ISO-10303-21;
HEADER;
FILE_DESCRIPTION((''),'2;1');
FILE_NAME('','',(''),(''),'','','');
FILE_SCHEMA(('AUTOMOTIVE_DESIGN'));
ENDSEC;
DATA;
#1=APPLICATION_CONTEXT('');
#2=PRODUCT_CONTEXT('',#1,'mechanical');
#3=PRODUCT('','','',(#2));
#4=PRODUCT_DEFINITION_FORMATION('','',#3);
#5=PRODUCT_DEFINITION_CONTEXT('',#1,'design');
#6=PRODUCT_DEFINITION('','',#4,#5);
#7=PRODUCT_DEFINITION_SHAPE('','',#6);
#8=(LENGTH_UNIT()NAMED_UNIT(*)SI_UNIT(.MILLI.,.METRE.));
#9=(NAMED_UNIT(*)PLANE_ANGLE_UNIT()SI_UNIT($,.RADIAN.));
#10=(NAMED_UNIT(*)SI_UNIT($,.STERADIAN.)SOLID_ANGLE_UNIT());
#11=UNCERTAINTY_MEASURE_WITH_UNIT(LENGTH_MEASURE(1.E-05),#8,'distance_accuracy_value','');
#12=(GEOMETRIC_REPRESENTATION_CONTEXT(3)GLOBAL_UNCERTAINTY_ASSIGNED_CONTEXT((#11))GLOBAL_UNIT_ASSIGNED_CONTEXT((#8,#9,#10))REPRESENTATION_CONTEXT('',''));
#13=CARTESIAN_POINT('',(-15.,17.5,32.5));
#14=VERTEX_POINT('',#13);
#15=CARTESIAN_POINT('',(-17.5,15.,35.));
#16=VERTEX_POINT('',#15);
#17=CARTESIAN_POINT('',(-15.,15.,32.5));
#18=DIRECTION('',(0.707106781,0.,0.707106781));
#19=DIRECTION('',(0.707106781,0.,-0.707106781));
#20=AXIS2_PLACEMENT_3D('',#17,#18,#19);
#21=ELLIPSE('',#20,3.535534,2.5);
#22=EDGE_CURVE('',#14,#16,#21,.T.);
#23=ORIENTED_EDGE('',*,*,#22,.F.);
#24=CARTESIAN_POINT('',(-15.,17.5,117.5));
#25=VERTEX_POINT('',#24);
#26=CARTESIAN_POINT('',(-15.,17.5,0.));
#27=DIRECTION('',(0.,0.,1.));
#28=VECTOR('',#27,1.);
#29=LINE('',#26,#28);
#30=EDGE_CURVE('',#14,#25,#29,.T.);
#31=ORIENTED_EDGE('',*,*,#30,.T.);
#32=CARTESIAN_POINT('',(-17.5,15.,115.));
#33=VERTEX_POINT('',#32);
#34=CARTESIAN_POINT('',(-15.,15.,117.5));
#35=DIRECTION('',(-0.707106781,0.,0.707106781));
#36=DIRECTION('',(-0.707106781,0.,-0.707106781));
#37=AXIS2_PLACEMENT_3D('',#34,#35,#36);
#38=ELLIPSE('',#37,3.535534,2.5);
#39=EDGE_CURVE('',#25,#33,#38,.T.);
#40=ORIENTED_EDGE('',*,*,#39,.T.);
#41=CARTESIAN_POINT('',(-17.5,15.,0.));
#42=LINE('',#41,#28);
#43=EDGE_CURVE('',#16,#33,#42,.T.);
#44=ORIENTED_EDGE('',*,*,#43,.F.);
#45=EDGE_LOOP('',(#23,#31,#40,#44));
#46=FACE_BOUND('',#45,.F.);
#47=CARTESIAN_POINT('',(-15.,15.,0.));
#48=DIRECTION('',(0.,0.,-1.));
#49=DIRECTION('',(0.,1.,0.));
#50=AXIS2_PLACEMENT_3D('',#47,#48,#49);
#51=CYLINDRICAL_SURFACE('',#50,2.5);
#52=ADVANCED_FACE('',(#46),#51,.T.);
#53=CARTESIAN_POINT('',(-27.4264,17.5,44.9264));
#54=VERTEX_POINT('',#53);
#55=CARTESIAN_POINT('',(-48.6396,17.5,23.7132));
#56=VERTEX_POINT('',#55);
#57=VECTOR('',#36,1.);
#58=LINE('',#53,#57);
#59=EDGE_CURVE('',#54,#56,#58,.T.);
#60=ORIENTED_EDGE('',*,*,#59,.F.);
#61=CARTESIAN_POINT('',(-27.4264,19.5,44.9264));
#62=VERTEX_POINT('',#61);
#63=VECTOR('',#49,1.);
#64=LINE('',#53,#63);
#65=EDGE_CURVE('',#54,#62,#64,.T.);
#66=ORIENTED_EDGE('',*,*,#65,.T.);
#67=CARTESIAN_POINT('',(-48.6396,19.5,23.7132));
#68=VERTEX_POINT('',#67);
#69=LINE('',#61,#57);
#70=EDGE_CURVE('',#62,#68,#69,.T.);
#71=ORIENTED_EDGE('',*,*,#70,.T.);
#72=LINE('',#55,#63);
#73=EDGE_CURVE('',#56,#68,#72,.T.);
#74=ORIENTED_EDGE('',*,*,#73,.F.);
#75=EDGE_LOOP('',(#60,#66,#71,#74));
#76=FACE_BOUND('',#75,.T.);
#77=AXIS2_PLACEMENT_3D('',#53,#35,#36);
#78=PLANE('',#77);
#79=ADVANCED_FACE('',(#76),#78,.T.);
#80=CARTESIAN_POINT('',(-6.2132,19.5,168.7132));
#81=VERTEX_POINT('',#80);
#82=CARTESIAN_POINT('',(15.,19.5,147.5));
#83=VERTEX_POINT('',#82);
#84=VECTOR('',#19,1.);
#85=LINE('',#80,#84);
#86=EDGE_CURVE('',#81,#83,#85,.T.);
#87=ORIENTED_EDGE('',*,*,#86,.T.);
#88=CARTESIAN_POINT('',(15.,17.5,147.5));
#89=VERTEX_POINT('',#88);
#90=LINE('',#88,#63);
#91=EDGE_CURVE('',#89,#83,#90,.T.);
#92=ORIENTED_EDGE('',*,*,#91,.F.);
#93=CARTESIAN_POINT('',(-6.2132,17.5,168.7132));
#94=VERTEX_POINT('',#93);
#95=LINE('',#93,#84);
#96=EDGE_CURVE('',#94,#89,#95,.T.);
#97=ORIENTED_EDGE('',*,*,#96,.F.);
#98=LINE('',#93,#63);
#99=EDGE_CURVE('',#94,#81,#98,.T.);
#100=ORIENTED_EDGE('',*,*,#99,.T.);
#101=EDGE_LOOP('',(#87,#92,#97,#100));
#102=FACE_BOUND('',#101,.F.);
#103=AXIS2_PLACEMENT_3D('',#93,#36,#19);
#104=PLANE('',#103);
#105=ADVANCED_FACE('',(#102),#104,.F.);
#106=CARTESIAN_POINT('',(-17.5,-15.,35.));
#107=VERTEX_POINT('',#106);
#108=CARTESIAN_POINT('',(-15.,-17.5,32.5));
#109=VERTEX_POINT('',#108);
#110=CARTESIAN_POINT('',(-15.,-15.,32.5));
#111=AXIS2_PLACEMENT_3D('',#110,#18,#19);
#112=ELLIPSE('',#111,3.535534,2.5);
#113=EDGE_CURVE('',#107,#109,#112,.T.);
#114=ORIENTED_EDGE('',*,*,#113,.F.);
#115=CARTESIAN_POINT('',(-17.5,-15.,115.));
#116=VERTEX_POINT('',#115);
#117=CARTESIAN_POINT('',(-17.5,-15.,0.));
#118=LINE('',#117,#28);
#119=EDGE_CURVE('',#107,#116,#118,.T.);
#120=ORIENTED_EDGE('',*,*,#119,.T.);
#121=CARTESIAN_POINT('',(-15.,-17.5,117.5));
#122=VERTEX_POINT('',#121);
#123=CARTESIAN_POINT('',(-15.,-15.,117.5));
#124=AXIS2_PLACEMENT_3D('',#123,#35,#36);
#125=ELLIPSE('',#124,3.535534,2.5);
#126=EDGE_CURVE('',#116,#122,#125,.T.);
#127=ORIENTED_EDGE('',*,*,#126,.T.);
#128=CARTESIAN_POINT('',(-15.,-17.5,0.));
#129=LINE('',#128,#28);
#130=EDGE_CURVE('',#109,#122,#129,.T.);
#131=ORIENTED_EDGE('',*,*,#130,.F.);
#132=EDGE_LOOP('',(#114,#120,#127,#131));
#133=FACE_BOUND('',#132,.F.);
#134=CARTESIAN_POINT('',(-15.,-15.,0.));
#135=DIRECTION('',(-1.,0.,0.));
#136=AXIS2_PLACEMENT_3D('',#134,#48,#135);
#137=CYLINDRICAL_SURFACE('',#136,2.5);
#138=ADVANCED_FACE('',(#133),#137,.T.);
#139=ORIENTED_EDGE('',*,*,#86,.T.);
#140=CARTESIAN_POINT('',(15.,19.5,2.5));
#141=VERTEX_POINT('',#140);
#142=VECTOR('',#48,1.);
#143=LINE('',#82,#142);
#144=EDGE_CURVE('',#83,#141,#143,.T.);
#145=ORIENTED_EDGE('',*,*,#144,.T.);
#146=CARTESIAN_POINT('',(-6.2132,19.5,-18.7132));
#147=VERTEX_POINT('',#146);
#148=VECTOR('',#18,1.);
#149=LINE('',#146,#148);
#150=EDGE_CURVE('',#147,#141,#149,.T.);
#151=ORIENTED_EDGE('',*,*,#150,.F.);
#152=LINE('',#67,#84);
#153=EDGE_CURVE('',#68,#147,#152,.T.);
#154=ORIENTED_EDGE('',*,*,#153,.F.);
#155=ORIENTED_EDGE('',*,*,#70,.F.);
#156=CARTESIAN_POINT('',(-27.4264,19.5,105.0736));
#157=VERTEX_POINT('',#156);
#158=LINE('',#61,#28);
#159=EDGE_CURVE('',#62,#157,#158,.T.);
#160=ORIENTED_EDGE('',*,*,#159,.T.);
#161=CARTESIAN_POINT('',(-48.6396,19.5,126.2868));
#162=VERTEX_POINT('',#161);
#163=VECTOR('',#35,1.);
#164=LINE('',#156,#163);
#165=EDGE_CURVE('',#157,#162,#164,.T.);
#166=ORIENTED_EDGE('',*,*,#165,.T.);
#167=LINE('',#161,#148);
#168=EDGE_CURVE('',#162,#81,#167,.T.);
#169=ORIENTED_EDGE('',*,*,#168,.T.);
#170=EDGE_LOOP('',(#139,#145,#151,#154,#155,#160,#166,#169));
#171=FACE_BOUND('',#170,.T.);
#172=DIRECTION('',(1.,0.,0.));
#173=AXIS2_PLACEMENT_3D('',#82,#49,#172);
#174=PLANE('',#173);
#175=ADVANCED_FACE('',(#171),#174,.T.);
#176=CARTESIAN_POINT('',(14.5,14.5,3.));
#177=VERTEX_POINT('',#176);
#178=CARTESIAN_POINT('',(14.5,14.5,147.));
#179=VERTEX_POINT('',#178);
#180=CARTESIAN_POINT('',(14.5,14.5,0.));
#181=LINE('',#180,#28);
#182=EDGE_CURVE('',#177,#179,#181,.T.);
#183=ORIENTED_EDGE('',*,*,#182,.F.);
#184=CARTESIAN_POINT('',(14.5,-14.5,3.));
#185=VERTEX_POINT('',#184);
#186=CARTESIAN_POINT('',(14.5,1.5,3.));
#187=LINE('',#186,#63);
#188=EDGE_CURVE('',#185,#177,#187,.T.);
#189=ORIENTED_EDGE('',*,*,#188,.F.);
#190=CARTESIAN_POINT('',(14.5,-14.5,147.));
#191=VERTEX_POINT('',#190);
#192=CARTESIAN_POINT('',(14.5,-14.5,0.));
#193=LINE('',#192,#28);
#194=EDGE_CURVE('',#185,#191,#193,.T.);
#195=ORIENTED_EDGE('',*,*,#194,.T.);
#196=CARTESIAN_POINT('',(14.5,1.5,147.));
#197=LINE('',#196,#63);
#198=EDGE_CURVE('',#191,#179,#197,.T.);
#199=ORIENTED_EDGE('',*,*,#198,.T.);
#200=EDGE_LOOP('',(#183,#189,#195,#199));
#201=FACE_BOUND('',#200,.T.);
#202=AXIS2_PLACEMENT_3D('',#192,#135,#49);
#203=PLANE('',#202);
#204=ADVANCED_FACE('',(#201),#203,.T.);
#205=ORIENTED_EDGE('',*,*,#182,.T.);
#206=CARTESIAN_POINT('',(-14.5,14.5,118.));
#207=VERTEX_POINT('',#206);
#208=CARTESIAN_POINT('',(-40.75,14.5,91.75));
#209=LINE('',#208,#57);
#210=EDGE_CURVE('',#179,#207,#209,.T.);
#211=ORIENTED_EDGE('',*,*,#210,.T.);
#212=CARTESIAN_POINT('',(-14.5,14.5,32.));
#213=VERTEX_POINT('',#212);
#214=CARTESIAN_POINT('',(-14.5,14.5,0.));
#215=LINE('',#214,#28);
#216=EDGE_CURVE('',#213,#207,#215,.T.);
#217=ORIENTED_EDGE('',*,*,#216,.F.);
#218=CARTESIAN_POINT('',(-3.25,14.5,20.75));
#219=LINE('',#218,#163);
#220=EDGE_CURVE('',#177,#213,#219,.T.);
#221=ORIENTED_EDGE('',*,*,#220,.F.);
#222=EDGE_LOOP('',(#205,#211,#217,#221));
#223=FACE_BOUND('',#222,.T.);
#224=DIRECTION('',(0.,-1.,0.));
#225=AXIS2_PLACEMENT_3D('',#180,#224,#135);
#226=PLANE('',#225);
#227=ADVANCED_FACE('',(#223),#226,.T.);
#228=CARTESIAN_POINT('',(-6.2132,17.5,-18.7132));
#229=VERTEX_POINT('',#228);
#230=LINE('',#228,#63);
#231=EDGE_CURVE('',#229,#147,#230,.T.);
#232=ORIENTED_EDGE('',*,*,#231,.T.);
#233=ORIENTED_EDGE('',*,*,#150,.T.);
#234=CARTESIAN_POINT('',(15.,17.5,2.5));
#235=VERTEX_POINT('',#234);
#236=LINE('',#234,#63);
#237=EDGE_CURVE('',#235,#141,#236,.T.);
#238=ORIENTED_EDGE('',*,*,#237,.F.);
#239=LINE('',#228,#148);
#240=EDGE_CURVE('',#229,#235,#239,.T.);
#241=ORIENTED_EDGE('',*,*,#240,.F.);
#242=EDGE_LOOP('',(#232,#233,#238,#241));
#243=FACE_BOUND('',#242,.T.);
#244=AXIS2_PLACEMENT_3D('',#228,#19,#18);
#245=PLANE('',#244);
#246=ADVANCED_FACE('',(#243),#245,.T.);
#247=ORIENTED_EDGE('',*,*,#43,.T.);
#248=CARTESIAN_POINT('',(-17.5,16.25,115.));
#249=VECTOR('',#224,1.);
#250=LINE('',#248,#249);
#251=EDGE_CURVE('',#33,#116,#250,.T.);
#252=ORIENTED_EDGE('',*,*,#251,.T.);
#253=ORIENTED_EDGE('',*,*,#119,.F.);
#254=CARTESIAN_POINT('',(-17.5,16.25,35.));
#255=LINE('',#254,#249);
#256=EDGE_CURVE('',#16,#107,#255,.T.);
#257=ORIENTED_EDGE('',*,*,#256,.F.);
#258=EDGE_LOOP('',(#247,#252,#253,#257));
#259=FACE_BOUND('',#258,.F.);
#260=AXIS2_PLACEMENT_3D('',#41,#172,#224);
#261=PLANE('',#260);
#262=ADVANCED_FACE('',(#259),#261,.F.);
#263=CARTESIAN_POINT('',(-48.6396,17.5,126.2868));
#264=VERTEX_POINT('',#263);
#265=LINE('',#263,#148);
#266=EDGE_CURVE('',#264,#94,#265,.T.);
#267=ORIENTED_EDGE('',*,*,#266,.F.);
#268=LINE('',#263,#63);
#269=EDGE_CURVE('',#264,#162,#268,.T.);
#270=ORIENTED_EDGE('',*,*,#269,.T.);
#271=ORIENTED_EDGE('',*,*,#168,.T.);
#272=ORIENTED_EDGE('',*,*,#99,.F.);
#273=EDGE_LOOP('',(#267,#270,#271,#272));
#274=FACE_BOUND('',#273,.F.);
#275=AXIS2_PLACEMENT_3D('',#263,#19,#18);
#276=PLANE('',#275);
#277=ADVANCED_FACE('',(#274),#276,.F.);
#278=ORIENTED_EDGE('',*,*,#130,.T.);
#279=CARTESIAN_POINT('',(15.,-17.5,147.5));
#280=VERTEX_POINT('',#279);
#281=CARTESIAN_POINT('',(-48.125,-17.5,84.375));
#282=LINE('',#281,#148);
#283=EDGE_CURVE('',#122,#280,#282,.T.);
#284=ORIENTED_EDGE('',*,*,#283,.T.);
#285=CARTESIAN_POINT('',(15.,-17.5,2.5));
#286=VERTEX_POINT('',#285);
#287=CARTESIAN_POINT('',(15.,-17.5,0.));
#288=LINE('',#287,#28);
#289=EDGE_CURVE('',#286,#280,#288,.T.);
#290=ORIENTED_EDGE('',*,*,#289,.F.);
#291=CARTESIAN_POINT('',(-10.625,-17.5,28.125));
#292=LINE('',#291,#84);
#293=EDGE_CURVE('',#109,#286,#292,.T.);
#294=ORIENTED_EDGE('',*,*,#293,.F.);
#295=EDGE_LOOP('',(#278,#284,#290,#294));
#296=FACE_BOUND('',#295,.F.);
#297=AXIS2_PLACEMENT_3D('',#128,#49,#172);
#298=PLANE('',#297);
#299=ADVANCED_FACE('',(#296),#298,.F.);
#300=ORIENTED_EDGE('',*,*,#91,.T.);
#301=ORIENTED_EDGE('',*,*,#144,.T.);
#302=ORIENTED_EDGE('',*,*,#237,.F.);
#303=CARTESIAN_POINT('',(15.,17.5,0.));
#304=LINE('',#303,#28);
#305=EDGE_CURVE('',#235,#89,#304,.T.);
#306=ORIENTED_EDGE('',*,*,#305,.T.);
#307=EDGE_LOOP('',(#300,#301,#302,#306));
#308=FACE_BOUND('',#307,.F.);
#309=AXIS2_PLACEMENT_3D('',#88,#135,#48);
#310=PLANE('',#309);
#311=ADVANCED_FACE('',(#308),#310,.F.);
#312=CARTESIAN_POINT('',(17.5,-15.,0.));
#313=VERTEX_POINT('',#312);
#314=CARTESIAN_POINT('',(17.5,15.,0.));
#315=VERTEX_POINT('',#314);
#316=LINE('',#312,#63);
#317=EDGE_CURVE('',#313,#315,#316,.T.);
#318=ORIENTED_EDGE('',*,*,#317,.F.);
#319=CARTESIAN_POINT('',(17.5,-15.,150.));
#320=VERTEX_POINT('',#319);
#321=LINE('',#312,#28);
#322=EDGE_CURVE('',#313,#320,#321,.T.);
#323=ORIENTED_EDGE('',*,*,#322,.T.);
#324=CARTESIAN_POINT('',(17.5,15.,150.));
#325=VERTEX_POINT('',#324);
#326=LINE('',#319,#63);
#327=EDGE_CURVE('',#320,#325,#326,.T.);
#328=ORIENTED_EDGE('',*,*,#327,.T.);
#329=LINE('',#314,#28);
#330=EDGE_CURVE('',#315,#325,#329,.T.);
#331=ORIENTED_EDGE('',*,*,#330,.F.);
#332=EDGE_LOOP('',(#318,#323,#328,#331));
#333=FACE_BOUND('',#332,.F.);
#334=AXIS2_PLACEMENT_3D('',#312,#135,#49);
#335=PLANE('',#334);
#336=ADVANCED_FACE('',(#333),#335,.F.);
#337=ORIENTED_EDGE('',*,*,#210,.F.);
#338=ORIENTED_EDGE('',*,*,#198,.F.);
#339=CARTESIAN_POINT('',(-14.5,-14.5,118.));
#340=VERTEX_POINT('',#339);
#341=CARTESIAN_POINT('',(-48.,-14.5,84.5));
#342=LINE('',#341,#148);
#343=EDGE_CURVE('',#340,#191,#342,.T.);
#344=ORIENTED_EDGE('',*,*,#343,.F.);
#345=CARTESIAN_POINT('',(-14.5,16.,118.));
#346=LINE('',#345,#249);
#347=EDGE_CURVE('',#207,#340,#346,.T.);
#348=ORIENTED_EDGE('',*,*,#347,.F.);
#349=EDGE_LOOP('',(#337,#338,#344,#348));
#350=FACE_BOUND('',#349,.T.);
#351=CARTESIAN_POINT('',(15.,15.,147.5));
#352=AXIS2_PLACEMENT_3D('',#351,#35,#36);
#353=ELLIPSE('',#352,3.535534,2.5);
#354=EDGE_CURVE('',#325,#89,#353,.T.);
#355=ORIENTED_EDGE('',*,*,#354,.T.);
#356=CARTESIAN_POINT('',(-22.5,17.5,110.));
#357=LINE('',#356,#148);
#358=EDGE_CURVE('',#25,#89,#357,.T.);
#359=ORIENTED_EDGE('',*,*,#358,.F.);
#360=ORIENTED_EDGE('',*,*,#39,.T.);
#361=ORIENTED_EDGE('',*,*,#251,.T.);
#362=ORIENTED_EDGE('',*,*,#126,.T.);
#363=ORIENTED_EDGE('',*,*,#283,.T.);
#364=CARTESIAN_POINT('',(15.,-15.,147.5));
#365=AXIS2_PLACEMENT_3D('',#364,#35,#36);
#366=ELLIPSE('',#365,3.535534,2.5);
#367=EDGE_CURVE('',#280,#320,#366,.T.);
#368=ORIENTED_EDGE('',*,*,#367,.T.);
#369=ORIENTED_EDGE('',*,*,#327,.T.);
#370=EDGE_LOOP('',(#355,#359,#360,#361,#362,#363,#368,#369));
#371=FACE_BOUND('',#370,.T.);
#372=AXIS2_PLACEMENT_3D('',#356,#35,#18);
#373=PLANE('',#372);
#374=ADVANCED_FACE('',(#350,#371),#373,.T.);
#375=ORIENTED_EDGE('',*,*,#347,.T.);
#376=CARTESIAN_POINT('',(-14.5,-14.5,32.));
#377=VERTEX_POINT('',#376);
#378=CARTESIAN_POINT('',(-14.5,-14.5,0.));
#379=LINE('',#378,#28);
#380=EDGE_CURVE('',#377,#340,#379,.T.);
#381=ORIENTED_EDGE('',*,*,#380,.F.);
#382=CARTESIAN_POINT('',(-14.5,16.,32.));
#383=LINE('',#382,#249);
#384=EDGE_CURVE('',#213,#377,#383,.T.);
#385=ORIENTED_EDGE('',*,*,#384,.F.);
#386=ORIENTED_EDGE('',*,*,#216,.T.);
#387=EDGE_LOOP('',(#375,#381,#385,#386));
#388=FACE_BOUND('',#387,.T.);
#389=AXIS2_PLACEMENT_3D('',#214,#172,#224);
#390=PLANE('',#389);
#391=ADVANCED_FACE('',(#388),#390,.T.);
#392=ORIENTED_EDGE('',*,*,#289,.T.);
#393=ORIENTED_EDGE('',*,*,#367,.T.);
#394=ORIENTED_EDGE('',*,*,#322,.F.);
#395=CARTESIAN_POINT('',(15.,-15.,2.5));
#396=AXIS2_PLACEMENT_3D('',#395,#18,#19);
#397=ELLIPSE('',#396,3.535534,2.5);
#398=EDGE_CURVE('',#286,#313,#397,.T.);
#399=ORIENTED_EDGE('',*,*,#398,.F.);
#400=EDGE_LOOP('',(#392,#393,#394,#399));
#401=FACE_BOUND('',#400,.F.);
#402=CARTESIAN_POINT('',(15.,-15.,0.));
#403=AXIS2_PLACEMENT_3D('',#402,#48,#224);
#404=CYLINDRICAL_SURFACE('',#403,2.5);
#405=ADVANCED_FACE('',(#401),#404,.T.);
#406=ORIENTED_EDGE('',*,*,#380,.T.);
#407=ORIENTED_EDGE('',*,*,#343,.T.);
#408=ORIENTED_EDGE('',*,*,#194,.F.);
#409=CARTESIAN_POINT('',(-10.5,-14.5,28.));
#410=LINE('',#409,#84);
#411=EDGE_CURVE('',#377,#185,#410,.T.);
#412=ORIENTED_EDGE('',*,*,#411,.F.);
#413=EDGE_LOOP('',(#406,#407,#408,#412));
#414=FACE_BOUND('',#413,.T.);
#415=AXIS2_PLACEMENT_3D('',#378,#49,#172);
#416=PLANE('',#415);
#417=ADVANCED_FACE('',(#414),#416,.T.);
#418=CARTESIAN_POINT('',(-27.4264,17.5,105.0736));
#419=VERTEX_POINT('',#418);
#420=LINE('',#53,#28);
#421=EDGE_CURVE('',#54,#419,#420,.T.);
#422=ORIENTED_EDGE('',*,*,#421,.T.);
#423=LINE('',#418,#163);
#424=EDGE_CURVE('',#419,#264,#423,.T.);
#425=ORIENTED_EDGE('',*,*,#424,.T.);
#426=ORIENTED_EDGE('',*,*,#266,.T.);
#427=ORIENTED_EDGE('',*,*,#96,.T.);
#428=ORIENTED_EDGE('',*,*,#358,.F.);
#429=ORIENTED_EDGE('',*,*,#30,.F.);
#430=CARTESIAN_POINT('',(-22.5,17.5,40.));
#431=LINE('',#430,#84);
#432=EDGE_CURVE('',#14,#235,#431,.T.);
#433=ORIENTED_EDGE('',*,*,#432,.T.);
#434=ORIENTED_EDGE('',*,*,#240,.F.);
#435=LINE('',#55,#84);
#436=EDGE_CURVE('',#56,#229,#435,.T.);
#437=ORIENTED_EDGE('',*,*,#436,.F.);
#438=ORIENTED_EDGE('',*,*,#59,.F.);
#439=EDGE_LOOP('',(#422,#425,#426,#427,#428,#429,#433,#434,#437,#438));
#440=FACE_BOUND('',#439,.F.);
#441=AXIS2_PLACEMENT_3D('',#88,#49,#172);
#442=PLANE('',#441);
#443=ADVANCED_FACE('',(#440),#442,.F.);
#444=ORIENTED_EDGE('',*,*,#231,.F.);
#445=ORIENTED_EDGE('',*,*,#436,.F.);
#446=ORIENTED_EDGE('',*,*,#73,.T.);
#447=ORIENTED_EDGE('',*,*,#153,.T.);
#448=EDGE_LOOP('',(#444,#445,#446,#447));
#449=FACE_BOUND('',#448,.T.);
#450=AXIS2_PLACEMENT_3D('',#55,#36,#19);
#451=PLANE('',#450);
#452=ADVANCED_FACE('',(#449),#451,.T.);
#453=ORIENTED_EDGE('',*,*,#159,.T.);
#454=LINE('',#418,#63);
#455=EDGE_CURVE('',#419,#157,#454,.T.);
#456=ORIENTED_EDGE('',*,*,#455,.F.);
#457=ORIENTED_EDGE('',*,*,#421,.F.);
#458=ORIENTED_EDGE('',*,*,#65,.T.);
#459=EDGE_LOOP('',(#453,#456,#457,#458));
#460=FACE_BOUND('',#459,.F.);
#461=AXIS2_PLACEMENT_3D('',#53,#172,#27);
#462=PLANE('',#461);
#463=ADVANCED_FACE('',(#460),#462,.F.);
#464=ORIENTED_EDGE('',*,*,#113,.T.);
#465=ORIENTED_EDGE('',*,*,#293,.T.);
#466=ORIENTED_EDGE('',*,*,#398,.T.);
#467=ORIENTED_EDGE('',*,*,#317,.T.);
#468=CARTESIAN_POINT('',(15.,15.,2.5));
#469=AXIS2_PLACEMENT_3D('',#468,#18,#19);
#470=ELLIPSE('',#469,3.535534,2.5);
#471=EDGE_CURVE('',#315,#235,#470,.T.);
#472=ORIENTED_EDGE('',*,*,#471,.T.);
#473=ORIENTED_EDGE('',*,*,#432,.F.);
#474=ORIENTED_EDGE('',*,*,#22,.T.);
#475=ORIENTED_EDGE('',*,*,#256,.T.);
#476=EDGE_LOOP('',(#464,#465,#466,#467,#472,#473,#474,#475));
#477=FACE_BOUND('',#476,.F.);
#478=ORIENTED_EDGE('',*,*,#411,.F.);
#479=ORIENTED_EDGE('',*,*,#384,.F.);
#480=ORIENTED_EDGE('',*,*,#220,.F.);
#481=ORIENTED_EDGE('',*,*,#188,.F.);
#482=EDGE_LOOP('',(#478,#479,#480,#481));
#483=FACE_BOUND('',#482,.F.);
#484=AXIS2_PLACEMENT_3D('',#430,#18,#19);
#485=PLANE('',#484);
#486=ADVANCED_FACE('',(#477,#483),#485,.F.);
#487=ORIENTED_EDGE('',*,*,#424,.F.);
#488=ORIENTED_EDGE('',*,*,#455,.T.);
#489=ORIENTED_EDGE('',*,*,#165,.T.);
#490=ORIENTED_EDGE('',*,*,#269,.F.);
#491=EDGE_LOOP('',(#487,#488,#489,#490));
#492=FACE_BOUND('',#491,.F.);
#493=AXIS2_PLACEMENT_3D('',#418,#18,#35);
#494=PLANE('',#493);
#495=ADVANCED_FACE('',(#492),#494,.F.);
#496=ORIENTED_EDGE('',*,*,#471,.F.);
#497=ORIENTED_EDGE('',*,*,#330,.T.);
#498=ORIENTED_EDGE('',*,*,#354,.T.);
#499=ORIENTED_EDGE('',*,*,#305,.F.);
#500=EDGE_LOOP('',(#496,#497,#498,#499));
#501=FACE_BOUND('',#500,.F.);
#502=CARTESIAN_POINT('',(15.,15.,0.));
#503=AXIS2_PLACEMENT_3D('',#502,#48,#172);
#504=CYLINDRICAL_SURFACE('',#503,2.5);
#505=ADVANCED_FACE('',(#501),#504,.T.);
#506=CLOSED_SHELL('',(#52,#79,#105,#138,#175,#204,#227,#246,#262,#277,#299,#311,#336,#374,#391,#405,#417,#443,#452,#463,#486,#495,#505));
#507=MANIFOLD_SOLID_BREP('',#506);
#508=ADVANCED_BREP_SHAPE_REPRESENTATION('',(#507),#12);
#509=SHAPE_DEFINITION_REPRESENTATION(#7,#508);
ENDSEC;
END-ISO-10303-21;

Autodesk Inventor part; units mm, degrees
ref_plane "YZ Plane" through (0, 0, 0) normal (1, 0, 0) x (0, 1, 0)
ref_plane "XZ Plane" through (0, 0, 0) normal (0, 1, 0) x (-1, 0, 0)
ref_plane "XY Plane" through (0, 0, 0) normal (0, 0, 1) x (1, 0, 0)
sketch "Sketch1" plane through (0, 0, 0) normal (0, 0, 1) x (1, 0, 0)
  line L0 (-15, -17.5) -> (15, -17.5)
  line L1 (17.5, -15) -> (17.5, 15)
  line L2 (15, 17.5) -> (-15, 17.5)
  line L3 (-17.5, 15) -> (-17.5, -15)
  line L4 (-17.5, -17.5) -> (17.5, 17.5) construction
  line L5 (17.5, -17.5) -> (-17.5, 17.5) construction
  line L6 (-14.5, -14.5) -> (14.5, -14.5)
  line L7 (14.5, -14.5) -> (14.5, 14.5)
  line L8 (14.5, 14.5) -> (-14.5, 14.5)
  line L9 (-14.5, 14.5) -> (-14.5, -14.5)
  line L10 (-14.5, -14.5) -> (14.5, 14.5) construction
  line L11 (14.5, -14.5) -> (-14.5, 14.5) construction
  arc A0 (-15, 17.5) -> (-17.5, 15) centre (-15, 15) ccw
  arc A1 (17.5, 15) -> (15, 17.5) centre (15, 15) ccw
  arc A2 (15, -17.5) -> (17.5, -15) centre (15, -15) ccw
  arc A3 (-17.5, -15) -> (-15, -17.5) centre (-15, -15) ccw
  point P0 (0, 0)
  dimension "d0" = 35
  dimension "d1" = 35
  dimension "d2" = 29
  dimension "d3" = 29
  dimension "d4" = 2.5
extrude "Extrusion1" add sketch "Sketch1" along normal blind 150
sketch "Sketch2" plane through (-15, 17.5, 0) normal (0, 1, 0) x (1, 0, 0)
  line L0 (30, 0) -> (0, 0) construction
  line L1 (0, 0) -> (0, -150) construction
  line L2 (30, -150) -> (0, -150) construction
  line L3 (30, 0) -> (30, -150) construction
  line L4 (-2.5, 0) -> (-2.5, -150) construction
  line L5 (32.5, 0) -> (32.5, -150) construction
  line L6 (-7.5, 0) -> (32.5, 0)
  line L7 (-7.5, 0) -> (-7.5, -40)
  line L8 (-7.5, -40) -> (32.5, 0)
  line L9 (0, 0) -> (0, -150) construction
  line L10 (0, -75) -> (29.5, -75) construction
  line L11 (29.5, 0) -> (29.5, -150) construction
  line L12 (-7.5, -150) -> (32.5, -150)
  line L13 (-7.5, -150) -> (-7.5, -110)
  line L14 (-7.5, -110) -> (32.5, -150)
  point P0 (15, 0)
  dimension "d7" = 40
  dimension "d8" = 40
extrude "Extrusion2" cut sketch "Sketch2" against normal blind 100
sketch "Sketch5" plane through (15, 17.5, 147.5) normal (0, 1, 0) x (1, 0, 0)
  line L0 (-30, 30) -> (0, 0) construction
  line L1 (2.5, -2.5) -> (0, 0) projected
  line L2 (0, 0) -> (-42.4264, 42.4264) construction
  line L3 (-42.4264, 42.4264) -> (-63.6396, 21.2132)
  line L4 (-63.6396, 21.2132) -> (-21.2132, -21.2132)
  line L5 (-21.2132, -21.2132) -> (0, 0)
  line L6 (0, 145) -> (-30, 115) construction
  line L7 (0, 145) -> (2.5, 147.5) projected
  line L8 (0, 0) -> (0, 145)
  line L9 (-30, 115) -> (-30, 30) construction
  line L10 (-30, 72.5) -> (-0.5, 72.5) construction
  line L11 (-0.5, 144.5) -> (-0.5, 0.5) construction
  line L12 (0, 145) -> (-42.4264, 102.5736) construction
  line L13 (-42.4264, 102.5736) -> (-63.6396, 123.7868)
  line L14 (-63.6396, 123.7868) -> (-21.2132, 166.2132)
  line L15 (-21.2132, 166.2132) -> (0, 145)
  line L16 (-42.4264, 102.5736) -> (-42.4264, 42.4264)
  point P0 (-15, 147.5)
  dimension "d18" = 60
  dimension "d19" = 30
extrude "Extrusion5" add sketch "Sketch5" along normal blind 2
properties part number "TestPlate" material "Steel, Mild"
